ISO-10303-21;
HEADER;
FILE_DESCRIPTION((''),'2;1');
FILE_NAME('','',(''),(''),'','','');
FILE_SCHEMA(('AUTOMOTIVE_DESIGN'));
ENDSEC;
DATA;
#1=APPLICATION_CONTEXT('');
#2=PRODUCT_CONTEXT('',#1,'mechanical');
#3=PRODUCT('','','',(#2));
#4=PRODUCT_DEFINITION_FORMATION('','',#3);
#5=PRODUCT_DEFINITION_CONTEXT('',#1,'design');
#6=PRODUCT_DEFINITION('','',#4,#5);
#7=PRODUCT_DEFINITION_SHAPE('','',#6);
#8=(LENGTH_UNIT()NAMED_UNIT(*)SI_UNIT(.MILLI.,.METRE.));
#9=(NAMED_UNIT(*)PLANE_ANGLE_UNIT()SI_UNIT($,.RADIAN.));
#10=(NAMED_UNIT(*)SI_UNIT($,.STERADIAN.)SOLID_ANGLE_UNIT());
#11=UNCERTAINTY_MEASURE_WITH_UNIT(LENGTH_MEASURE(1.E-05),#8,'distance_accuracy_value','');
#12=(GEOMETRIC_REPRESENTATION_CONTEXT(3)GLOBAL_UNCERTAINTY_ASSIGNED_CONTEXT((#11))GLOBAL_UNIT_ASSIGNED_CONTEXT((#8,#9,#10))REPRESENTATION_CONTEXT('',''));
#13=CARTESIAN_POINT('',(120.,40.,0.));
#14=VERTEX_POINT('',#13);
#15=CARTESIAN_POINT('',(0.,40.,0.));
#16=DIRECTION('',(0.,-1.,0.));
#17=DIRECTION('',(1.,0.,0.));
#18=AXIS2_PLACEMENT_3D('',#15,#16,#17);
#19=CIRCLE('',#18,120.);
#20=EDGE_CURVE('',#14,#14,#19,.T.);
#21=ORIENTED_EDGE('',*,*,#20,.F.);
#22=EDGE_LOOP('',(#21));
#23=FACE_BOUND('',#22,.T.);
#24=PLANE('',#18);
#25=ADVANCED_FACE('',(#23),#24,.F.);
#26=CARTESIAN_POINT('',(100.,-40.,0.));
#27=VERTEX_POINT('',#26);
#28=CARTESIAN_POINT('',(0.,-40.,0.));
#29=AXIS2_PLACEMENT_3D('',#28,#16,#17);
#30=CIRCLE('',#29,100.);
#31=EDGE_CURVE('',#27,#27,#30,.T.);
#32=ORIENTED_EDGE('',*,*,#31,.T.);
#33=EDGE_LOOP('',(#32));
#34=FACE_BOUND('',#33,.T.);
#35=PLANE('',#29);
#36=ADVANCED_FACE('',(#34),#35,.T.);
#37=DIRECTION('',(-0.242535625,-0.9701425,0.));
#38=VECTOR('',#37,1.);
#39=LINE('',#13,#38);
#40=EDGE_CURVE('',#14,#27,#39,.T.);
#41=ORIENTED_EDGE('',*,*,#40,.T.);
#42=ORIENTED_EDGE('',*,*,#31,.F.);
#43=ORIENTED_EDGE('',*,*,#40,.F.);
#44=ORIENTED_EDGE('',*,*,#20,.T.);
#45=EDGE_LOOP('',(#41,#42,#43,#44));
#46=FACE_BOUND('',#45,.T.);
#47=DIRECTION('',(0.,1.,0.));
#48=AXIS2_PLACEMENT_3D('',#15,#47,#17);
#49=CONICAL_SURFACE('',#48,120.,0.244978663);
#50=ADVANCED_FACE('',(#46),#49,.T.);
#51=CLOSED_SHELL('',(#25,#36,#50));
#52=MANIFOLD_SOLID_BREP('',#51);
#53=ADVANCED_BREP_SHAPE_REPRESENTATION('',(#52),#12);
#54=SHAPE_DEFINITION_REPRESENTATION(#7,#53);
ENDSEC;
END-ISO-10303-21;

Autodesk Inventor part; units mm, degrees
ref_plane "YZ Plane" through (0, 0, 0) normal (1, 0, 0) x (0, 1, 0)
ref_plane "XZ Plane" through (0, 0, 0) normal (0, 1, 0) x (-1, 0, 0)
ref_plane "XY Plane" through (0, 0, 0) normal (0, 0, 1) x (1, 0, 0)
sketch "Sketch1" plane through (0, 0, 0) normal (0, 0, 1) x (1, 0, 0)
  line L0 (0, 40) -> (0, -40)
  line L1 (0, 40) -> (120, 40)
  line L2 (120, 40) -> (100, -40)
  line L3 (100, -40) -> (0, -40)
  point P0 (0, 0)
  point P1 (0, 0)
  point P2 (0, -520)
  dimension "d1" = 80
  dimension "d8" = 120
  dimension "d9" = 100
revolve "Revolution1" add sketch "Sketch1" angle 360 about axis through (0, 40, 0) along (0, -1, 0)
equation "\"d1\" = crucibleSupThickness"
equation "\"d8\" = crucibleSupTopRadius"
equation "\"d9\" = crucibleSupBottomRadius"
equation "\"crucibleSupBottomRadius\" = 100"
equation "\"crucibleSupThickness\" = 80"
equation "\"crucibleSupTopRadius\" = 120"
properties part number "crucible" material "Concrete"
